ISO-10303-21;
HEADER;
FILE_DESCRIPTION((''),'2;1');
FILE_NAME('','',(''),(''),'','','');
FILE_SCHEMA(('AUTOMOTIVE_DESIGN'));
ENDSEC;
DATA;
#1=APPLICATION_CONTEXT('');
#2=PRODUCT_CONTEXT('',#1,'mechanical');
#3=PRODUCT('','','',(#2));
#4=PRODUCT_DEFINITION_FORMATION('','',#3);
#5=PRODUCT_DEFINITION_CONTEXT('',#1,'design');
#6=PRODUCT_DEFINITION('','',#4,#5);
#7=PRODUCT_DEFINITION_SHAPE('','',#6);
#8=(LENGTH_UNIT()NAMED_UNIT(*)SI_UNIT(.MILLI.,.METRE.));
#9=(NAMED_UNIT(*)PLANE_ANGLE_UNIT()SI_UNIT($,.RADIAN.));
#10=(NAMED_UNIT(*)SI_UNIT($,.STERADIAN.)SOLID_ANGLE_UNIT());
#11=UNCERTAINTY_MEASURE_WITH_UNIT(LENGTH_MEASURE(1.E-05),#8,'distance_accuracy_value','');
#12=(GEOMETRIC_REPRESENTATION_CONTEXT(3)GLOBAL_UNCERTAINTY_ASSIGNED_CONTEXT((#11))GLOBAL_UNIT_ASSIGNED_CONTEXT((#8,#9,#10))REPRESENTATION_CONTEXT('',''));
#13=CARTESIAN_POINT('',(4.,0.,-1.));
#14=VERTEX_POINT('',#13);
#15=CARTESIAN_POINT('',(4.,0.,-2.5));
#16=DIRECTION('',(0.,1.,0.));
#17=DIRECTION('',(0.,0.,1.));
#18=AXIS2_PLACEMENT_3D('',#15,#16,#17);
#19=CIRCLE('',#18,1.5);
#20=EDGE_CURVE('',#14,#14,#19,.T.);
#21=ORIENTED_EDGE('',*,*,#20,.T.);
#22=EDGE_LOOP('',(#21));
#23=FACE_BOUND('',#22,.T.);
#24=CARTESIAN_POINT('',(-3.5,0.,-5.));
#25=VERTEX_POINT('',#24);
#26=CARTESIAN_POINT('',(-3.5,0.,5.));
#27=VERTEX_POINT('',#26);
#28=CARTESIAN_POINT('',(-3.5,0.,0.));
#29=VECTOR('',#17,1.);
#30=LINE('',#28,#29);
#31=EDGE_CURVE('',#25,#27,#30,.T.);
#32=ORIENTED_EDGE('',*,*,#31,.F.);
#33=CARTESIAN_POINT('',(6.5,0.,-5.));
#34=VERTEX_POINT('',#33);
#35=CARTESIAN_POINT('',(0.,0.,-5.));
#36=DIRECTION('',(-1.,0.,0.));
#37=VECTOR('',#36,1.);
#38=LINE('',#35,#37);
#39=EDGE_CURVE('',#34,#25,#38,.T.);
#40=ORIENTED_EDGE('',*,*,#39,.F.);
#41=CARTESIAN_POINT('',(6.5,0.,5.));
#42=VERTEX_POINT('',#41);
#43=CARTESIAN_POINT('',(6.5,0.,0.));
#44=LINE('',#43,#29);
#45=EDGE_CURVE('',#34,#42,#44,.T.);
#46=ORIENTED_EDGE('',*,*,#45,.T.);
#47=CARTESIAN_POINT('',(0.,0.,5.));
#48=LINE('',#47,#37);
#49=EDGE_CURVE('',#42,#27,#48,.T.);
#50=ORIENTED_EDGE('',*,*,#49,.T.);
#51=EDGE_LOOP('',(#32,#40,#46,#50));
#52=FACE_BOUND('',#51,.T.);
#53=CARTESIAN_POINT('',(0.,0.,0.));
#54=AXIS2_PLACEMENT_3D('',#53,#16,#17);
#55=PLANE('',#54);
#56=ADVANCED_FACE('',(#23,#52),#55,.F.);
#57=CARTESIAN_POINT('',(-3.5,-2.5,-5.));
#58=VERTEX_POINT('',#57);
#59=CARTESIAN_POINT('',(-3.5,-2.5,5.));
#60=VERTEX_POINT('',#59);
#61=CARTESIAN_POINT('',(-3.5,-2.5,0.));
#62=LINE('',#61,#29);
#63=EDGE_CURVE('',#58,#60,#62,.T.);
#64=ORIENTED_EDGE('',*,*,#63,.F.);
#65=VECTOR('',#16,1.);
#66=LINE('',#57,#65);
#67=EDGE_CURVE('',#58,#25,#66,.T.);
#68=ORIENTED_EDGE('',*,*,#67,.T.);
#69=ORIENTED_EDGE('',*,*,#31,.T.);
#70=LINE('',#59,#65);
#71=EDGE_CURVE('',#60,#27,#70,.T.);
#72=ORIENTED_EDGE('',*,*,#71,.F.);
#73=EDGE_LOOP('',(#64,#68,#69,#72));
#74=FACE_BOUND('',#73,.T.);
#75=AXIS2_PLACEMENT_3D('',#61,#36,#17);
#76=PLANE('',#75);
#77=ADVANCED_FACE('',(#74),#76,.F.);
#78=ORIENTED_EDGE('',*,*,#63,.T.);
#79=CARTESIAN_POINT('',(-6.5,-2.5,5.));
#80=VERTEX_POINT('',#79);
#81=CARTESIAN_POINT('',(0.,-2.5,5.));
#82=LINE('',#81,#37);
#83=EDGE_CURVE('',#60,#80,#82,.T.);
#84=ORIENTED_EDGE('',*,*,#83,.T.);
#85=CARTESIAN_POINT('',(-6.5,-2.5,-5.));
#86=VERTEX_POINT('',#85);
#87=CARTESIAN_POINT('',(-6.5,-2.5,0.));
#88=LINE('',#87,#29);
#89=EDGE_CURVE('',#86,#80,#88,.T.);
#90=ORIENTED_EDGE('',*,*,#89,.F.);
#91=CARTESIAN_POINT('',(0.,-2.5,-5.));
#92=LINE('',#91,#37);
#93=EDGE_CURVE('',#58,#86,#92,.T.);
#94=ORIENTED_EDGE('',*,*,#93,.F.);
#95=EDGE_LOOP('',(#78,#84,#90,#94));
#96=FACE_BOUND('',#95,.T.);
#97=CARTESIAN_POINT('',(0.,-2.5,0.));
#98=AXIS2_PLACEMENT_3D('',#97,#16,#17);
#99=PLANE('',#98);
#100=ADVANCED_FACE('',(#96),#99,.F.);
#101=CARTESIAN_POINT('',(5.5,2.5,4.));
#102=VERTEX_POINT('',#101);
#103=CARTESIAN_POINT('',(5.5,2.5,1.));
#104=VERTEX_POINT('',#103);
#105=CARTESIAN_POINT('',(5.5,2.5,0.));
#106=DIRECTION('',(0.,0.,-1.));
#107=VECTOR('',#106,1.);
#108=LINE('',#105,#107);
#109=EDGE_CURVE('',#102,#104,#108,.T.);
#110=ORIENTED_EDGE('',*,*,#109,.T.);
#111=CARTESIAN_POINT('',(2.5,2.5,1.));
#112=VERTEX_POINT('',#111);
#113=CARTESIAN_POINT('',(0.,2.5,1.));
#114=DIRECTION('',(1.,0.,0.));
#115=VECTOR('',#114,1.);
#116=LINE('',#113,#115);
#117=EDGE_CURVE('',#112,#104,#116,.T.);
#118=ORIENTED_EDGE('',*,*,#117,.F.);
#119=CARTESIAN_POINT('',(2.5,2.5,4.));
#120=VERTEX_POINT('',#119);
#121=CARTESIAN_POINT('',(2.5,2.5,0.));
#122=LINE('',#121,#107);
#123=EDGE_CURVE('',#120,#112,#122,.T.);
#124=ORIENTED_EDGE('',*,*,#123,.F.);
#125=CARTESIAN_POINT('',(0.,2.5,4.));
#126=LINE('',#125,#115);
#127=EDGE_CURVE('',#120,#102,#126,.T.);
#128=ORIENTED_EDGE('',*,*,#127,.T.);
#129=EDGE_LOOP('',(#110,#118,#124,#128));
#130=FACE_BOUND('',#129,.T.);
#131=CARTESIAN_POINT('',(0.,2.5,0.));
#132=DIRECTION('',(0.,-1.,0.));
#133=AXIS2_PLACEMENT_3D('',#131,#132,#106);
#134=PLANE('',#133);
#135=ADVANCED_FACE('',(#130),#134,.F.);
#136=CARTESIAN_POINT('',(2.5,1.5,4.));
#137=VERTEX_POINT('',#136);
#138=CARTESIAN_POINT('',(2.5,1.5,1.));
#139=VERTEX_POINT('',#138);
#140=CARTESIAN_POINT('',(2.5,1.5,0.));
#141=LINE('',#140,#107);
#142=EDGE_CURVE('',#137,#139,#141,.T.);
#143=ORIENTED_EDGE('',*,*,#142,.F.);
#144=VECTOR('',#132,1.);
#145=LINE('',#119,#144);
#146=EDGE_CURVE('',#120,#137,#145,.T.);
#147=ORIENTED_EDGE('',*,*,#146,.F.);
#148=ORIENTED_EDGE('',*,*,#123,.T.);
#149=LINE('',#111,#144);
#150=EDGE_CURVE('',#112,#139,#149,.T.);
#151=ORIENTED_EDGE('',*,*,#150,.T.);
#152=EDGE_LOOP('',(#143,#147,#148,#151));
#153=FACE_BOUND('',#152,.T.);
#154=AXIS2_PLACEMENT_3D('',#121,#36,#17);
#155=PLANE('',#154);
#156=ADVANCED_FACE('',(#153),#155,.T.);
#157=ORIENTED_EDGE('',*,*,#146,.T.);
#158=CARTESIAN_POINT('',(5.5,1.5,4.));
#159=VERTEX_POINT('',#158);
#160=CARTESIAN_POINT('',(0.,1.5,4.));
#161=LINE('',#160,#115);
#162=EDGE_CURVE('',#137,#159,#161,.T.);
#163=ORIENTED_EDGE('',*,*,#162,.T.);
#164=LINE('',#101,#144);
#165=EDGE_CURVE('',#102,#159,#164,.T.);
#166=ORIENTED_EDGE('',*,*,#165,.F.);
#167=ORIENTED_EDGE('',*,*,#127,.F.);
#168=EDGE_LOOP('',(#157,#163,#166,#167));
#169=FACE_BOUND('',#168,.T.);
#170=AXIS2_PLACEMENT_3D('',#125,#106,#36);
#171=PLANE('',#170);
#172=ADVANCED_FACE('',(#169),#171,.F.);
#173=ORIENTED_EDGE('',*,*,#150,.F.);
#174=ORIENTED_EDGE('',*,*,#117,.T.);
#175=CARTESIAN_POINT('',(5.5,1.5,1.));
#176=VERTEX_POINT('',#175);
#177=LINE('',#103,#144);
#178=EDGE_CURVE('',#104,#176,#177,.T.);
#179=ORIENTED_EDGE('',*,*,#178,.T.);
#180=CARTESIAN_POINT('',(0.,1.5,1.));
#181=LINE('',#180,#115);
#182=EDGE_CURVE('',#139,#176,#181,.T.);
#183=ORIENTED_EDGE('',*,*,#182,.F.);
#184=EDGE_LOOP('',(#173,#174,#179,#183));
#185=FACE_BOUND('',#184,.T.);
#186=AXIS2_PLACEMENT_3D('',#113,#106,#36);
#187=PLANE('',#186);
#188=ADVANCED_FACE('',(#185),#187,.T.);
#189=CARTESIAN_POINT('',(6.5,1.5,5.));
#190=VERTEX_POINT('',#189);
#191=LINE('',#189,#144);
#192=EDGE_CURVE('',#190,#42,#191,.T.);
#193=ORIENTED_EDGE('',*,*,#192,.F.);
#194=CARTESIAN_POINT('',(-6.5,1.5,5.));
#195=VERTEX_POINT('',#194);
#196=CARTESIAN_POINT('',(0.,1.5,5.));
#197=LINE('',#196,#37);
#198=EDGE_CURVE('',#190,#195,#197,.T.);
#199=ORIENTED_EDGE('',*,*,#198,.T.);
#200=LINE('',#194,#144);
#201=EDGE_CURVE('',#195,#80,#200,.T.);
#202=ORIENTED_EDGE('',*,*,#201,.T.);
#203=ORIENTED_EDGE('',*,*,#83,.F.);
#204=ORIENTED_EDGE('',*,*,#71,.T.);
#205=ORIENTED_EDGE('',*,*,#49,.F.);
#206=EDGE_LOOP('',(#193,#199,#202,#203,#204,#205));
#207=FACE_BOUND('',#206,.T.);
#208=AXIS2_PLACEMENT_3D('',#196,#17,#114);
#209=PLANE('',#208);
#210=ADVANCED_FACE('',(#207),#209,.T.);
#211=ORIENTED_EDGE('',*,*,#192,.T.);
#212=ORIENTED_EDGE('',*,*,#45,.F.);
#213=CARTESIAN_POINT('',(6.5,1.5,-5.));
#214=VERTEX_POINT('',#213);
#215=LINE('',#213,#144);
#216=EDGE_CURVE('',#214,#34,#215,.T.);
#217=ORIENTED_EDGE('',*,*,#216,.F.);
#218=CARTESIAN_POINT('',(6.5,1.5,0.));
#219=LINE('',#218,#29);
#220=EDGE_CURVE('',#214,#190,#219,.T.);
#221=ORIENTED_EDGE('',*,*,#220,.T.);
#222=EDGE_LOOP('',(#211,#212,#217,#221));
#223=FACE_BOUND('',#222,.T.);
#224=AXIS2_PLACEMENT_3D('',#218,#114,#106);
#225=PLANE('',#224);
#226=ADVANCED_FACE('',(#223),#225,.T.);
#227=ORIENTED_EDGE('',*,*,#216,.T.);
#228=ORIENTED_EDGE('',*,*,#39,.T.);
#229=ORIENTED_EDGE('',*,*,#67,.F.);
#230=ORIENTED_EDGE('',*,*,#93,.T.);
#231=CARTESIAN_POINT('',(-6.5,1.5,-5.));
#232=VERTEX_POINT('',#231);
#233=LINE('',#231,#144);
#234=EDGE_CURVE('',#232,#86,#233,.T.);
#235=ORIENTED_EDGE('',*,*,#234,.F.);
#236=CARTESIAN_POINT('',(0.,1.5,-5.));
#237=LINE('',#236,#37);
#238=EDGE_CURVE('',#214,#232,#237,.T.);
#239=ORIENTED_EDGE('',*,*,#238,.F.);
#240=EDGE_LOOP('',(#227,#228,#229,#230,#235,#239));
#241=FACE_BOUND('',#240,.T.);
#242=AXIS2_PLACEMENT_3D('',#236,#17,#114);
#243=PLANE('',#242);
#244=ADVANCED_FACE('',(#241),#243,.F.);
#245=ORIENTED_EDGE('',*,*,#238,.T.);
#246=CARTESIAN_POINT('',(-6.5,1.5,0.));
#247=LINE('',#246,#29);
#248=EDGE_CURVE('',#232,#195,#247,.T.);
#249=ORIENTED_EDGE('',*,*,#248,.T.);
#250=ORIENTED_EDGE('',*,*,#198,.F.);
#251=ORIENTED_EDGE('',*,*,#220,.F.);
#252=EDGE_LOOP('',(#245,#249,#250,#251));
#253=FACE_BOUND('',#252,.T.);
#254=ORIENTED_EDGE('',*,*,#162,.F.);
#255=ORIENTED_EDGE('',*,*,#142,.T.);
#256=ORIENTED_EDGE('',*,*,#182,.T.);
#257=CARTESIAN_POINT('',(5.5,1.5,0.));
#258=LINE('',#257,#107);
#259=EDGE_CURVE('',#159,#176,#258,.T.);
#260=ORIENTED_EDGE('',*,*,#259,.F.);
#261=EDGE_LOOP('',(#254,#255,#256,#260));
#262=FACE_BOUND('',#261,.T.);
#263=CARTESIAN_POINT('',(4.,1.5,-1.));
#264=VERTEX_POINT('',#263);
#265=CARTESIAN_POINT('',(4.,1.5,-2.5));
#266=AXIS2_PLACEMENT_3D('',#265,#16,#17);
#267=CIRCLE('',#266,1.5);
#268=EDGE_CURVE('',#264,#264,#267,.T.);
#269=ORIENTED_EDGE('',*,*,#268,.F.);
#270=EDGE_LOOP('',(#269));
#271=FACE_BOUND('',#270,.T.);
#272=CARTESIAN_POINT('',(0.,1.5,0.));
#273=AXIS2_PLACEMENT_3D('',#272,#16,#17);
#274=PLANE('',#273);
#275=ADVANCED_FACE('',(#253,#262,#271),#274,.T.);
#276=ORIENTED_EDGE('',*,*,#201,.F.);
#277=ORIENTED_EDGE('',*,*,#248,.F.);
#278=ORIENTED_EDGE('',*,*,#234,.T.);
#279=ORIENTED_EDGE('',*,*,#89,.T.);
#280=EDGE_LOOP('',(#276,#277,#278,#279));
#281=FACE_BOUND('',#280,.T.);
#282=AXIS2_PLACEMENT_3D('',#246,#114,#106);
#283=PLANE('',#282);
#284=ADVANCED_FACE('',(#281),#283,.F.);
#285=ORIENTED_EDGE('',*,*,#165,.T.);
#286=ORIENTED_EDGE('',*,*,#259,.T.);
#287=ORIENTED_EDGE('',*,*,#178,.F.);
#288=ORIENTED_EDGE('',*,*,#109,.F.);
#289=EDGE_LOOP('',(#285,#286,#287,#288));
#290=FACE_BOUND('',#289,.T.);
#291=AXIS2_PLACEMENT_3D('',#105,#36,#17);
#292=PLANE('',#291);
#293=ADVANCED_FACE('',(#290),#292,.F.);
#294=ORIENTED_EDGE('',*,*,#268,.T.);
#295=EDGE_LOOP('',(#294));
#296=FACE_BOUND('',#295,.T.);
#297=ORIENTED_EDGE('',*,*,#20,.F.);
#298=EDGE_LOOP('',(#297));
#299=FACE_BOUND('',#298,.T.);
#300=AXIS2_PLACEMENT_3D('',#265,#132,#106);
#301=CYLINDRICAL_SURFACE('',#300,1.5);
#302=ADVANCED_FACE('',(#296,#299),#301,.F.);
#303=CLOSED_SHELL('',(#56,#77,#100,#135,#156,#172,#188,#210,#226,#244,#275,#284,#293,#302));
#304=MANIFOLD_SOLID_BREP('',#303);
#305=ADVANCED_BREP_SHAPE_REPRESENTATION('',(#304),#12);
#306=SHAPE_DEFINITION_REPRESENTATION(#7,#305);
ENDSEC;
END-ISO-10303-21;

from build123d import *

# Parameters (mm, degrees)
SKETCH_1_W      = 3
SKETCH_1_H      = 10
SKETCH_1_W_2    = 10
SKETCH_1_H_2    = 3
SKETCH_1_R      = 1.5
EXTRUDE_1_DEPTH = 1.5
SKETCH_1_3_W    = 3
SKETCH_1_3_H    = 10
EXTRUDE_2_DEPTH = 2.5
EXTRUDE_START   = 1.5
SKETCH_1_4_W    = 3
SKETCH_1_4_H    = 3
EXTRUDE_3_DEPTH = 1


with BuildPart() as part:
    # Эскиз1 → Бобышка-Вытянуть1 (new body)
    with BuildSketch(Plane(origin=(0, 0, 0), x_dir=(1, 0, 0), z_dir=(0, 1, 0))):
        with Locations((-5, 0)):
            Rectangle(SKETCH_1_W, SKETCH_1_H)
        with Locations((1.5, 0)):
            Rectangle(SKETCH_1_W_2, SKETCH_1_H)
        with Locations((4, -2.5)):
            Rectangle(SKETCH_1_W, SKETCH_1_H_2, mode=Mode.SUBTRACT)
        with Locations((4, 2.5)):
            Circle(SKETCH_1_R, mode=Mode.SUBTRACT)
        with Locations((4, -2.5)):
            Rectangle(SKETCH_1_W, SKETCH_1_H_2)
    extrude(amount=EXTRUDE_1_DEPTH)

    # Эскиз1<3> → Бобышка-Вытянуть2 (add)
    with BuildSketch(Plane(origin=(0, 0, 0), x_dir=(1, 0, 0), z_dir=(0, 1, 0))):
        with Locations((-5, 0)):
            Rectangle(SKETCH_1_3_W, SKETCH_1_3_H)
    extrude(amount=-EXTRUDE_2_DEPTH)

    # Эскиз1<4> → Бобышка-Вытянуть3 (add)
    with BuildSketch(Plane(origin=(0, 0, 0), x_dir=(1, 0, 0), z_dir=(0, 1, 0)).offset(EXTRUDE_START)):
        with Locations((4, -2.5)):
            Rectangle(SKETCH_1_4_W, SKETCH_1_4_H)
    extrude(amount=EXTRUDE_3_DEPTH)


solid = part.part
